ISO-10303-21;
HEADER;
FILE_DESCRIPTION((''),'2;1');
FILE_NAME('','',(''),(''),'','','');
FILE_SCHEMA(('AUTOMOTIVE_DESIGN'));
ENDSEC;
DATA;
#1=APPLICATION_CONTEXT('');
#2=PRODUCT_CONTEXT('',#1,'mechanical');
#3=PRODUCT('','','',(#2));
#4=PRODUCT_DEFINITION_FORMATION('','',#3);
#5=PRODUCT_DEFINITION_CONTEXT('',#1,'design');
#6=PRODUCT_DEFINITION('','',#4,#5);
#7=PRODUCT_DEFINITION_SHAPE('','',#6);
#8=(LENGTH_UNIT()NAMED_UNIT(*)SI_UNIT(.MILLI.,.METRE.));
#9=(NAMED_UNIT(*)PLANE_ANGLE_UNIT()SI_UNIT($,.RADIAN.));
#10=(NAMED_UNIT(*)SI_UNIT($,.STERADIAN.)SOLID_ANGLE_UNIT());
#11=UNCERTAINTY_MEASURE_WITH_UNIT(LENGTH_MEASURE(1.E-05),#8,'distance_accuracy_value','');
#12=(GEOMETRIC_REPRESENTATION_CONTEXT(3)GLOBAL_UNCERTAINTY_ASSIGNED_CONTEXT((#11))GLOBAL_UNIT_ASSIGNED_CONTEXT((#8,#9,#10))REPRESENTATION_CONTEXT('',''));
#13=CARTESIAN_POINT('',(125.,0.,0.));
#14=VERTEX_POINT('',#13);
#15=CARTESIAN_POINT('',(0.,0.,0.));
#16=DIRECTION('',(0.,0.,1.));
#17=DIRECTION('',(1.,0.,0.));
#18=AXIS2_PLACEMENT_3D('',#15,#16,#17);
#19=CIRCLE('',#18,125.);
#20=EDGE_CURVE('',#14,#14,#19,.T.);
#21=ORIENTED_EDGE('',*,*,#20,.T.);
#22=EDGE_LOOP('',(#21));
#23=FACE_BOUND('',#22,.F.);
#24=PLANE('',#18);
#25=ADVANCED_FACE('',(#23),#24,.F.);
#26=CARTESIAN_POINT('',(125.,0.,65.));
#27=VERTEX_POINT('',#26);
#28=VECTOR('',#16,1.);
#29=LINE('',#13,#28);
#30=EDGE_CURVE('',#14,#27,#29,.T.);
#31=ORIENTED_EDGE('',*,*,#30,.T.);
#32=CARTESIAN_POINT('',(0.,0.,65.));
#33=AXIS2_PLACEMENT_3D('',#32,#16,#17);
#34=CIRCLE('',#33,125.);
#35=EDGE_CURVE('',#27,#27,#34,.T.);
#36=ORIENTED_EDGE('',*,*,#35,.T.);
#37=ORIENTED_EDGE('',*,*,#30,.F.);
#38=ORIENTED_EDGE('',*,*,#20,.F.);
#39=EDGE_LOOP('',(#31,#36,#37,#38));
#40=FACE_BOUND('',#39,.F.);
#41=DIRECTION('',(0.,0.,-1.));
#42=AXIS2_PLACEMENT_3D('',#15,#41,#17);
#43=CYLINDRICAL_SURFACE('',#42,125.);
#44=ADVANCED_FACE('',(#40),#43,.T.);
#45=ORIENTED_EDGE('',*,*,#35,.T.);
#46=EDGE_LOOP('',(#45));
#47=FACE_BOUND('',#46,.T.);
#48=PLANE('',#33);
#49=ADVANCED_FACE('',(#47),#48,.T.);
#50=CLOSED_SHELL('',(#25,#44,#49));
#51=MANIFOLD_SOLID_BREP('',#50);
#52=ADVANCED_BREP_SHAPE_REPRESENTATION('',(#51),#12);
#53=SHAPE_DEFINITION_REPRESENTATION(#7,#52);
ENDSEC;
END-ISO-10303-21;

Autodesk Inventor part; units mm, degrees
ref_plane "YZ Plane" through (0, 0, 0) normal (1, 0, 0) x (0, 1, 0)
ref_plane "XZ Plane" through (0, 0, 0) normal (0, 1, 0) x (-1, 0, 0)
ref_plane "XY Plane" through (0, 0, 0) normal (0, 0, 1) x (1, 0, 0)
sketch "Boceto1" plane through (0, 0, 0) normal (0, 0, 1) x (1, 0, 0)
  circle A0 centre (0, 0) radius 125
  dimension "d0" = 250
extrude "Extrusión1" add sketch "Boceto1" along normal blind 65
properties part number "Circulo"
